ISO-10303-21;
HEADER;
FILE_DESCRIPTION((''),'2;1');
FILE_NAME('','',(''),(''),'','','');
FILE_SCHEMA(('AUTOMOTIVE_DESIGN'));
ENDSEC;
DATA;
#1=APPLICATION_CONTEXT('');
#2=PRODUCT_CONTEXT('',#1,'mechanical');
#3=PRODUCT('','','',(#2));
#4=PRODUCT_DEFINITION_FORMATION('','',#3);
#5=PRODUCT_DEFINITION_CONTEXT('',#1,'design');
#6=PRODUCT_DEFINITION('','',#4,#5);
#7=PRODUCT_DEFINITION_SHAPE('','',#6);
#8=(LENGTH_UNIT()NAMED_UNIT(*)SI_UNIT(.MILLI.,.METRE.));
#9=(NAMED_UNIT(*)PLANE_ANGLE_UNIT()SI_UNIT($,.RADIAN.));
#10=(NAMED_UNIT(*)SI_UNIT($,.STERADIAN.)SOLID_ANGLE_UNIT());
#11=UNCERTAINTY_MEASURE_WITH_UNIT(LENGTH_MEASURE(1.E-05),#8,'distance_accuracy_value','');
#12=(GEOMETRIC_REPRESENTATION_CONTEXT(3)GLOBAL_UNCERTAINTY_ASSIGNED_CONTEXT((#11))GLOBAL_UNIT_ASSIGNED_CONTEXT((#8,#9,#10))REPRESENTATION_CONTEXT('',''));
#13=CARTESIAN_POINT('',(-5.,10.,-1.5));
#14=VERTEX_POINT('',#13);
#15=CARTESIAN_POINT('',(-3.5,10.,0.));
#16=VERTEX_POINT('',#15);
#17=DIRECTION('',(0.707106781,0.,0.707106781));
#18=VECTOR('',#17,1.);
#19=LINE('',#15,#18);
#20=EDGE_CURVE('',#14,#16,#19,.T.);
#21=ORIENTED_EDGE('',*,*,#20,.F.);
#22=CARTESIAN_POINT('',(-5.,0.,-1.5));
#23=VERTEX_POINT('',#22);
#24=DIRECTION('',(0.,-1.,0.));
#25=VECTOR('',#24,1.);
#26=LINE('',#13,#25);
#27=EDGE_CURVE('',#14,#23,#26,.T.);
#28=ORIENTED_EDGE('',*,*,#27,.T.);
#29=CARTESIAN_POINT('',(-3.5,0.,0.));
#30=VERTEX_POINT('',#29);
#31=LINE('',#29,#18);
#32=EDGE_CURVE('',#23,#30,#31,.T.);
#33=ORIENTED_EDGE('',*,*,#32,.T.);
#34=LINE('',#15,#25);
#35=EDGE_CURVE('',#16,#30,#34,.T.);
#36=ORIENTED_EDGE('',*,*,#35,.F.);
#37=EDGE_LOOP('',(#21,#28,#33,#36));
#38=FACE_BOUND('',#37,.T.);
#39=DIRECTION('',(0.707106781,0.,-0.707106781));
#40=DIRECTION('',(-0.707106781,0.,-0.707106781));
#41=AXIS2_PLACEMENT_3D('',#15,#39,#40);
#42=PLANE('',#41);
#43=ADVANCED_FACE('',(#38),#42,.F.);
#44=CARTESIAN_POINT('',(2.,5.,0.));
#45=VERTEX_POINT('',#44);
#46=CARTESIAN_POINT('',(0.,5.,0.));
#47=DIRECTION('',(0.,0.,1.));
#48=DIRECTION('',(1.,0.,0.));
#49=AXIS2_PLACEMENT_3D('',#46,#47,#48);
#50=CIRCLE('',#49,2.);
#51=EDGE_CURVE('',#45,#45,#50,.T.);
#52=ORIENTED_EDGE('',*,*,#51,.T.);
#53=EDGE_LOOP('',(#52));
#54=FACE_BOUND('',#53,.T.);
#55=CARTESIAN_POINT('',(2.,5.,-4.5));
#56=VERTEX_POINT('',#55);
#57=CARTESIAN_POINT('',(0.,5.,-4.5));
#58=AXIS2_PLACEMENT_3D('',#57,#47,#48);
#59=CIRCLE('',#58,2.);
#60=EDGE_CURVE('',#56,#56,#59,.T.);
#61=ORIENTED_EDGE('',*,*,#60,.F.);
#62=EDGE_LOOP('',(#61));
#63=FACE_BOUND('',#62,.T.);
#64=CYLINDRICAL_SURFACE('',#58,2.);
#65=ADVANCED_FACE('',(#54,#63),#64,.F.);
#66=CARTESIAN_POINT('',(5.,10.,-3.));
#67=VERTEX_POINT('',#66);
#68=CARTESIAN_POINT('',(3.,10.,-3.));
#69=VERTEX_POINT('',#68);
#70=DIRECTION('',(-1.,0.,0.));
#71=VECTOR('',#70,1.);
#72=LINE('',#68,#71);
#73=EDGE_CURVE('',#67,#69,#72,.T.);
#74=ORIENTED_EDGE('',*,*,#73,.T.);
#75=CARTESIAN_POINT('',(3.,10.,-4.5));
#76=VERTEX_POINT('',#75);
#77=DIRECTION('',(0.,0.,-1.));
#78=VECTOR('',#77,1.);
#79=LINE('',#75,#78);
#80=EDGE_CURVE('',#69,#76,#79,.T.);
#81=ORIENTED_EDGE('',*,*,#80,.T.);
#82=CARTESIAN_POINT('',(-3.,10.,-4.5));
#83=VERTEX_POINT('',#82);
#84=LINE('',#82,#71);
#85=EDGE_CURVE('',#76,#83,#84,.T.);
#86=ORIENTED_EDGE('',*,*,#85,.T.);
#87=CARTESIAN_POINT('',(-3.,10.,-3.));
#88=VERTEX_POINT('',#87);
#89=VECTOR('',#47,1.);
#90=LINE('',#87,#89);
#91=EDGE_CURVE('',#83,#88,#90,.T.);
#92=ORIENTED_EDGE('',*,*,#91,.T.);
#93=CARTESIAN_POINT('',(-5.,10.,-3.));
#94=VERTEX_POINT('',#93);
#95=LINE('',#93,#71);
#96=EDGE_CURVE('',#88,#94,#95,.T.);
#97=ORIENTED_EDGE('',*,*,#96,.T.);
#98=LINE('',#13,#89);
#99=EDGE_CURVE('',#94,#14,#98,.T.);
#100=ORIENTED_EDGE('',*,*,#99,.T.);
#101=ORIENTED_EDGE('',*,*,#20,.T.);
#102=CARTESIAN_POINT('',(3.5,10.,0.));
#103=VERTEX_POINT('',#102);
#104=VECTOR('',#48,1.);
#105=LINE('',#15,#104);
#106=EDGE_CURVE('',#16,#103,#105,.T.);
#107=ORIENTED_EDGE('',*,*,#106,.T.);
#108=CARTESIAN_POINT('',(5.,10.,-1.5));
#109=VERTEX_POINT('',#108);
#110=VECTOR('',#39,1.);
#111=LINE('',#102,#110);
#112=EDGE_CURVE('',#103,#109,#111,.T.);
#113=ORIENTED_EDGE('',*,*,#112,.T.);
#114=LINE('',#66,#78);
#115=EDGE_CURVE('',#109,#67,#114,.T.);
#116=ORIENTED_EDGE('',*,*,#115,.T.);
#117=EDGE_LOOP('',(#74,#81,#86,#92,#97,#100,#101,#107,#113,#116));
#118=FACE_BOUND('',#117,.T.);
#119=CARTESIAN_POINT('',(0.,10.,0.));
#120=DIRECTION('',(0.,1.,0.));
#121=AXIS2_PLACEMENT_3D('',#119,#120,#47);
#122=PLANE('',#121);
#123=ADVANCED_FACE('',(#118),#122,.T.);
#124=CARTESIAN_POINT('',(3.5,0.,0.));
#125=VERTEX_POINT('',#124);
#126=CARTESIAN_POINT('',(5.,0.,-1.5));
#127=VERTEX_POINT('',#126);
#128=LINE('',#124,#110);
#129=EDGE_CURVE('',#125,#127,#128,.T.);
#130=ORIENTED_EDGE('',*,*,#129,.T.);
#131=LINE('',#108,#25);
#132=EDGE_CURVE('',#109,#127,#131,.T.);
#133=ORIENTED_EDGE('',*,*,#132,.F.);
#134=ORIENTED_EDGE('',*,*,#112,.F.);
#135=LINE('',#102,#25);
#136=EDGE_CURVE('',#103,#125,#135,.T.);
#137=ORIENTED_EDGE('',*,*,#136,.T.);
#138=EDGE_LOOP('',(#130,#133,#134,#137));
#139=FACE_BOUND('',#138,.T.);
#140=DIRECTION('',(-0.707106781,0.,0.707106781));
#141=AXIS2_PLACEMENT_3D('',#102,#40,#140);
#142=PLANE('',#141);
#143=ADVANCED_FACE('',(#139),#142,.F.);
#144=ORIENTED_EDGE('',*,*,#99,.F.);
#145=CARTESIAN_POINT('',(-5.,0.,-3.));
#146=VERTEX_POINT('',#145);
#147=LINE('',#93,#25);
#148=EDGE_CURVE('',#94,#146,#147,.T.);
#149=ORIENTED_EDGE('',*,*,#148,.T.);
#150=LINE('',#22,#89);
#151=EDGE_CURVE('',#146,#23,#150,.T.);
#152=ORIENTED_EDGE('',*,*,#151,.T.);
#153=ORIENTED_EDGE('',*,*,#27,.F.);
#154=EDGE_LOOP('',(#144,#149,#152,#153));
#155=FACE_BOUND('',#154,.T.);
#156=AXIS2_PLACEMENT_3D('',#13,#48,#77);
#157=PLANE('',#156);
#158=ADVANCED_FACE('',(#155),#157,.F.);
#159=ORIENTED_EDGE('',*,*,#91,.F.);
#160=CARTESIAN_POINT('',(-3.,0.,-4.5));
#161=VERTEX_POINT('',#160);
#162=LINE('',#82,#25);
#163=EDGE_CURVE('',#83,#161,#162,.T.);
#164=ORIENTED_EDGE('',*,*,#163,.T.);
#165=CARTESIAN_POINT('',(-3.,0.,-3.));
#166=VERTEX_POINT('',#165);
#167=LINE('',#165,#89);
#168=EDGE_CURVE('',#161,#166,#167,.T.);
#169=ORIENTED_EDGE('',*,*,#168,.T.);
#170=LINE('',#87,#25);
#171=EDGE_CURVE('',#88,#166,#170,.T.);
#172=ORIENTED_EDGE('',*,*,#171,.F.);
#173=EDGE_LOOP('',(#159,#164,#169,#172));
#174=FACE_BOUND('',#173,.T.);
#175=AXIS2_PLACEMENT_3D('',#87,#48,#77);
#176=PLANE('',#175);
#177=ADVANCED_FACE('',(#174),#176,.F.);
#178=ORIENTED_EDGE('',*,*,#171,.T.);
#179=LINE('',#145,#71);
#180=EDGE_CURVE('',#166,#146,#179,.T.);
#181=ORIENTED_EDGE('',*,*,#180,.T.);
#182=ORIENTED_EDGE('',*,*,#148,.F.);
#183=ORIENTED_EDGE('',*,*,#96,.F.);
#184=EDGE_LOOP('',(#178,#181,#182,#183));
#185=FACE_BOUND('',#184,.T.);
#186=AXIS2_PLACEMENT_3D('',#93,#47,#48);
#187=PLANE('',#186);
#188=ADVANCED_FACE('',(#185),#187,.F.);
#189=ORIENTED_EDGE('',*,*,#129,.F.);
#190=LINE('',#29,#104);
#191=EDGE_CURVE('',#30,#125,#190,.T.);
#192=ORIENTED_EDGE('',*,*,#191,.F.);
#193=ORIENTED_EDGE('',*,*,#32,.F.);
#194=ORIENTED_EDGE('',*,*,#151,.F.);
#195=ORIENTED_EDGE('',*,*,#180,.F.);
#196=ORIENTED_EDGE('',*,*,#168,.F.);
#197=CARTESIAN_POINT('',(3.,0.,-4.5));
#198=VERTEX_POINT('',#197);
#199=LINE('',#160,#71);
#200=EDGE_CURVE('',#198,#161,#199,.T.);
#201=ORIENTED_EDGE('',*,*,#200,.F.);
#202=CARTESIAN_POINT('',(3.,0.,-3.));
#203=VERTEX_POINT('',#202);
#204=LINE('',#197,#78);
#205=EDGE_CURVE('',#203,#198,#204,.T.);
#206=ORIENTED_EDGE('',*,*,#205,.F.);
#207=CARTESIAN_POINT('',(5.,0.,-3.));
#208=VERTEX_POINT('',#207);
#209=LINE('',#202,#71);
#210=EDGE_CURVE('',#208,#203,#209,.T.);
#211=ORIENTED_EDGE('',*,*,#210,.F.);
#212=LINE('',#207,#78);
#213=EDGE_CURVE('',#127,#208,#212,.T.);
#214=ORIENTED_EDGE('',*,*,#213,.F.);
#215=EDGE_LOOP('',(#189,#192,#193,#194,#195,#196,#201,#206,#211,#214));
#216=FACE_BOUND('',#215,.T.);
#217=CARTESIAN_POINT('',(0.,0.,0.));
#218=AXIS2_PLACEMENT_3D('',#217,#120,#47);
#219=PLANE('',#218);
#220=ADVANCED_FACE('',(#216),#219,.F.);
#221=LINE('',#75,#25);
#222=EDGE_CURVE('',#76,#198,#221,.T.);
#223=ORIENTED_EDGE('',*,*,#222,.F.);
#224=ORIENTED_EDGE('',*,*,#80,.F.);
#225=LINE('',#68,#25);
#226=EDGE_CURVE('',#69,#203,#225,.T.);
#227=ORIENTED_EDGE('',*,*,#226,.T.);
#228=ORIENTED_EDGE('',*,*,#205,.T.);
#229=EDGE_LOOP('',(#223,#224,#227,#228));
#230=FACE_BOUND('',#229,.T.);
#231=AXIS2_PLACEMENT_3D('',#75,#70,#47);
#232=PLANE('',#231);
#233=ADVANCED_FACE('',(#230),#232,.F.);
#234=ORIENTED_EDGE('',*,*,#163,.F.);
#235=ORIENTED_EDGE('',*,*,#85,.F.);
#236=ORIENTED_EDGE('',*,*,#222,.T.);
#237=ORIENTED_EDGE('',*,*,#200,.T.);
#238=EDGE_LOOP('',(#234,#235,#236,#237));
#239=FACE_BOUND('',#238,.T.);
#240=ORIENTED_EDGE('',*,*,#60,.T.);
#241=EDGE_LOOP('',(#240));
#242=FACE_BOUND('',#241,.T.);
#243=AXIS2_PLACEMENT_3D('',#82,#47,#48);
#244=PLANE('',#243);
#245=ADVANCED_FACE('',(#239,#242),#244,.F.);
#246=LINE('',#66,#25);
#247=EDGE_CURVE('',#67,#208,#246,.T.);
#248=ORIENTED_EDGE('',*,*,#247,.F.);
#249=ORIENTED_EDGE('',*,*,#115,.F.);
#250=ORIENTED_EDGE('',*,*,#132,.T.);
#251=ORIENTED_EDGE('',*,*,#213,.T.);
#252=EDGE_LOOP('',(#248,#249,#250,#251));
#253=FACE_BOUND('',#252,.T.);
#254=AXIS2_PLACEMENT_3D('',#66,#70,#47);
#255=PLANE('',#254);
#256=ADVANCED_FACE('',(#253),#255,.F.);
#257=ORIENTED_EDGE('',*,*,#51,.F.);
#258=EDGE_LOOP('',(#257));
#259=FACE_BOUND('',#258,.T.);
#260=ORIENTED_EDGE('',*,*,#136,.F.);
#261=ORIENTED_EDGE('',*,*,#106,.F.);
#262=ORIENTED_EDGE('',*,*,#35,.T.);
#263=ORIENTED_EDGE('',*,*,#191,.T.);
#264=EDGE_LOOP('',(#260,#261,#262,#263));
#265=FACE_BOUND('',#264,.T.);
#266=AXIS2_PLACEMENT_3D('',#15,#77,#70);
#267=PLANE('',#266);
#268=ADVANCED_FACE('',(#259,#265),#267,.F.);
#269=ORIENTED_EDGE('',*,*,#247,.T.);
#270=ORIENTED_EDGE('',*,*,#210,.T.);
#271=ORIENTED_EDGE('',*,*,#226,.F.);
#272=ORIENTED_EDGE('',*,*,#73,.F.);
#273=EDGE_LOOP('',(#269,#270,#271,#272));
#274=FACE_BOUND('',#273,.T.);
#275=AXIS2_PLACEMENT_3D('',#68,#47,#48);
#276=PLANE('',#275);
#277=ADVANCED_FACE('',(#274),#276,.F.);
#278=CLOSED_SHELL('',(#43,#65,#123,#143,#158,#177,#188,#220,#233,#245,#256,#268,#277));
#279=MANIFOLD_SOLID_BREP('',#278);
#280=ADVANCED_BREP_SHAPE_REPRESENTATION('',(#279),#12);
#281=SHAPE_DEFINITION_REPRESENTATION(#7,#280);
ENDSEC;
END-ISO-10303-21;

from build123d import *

# Parameters (mm, degrees)
EXTRUDE_1_DEPTH     = 10
SKETCH_2_R          = 2
CUT_EXTRUDE_1_DEPTH = 13.051970793


with BuildPart() as part:
    # 草图1 → 凸台-拉伸1 (new body)
    with BuildSketch(Plane(origin=(0, 0, 0), x_dir=(1, 0, 0), z_dir=(0, 1, 0))):
        Polygon((-3.5, 0), (3.5, 0), (5, 1.5), (5, 3), (3, 3), (3, 4.5), (-3, 4.5), (-3, 3), (-5, 3), (-5, 1.5), align=None)
    extrude(amount=EXTRUDE_1_DEPTH)

    # 草图2 → 切除-拉伸1 (cut, through all)
    with BuildSketch(Plane.XY):
        with Locations((0, 5)):
            Circle(SKETCH_2_R)
    extrude(amount=-CUT_EXTRUDE_1_DEPTH, mode=Mode.SUBTRACT)


solid = part.part
